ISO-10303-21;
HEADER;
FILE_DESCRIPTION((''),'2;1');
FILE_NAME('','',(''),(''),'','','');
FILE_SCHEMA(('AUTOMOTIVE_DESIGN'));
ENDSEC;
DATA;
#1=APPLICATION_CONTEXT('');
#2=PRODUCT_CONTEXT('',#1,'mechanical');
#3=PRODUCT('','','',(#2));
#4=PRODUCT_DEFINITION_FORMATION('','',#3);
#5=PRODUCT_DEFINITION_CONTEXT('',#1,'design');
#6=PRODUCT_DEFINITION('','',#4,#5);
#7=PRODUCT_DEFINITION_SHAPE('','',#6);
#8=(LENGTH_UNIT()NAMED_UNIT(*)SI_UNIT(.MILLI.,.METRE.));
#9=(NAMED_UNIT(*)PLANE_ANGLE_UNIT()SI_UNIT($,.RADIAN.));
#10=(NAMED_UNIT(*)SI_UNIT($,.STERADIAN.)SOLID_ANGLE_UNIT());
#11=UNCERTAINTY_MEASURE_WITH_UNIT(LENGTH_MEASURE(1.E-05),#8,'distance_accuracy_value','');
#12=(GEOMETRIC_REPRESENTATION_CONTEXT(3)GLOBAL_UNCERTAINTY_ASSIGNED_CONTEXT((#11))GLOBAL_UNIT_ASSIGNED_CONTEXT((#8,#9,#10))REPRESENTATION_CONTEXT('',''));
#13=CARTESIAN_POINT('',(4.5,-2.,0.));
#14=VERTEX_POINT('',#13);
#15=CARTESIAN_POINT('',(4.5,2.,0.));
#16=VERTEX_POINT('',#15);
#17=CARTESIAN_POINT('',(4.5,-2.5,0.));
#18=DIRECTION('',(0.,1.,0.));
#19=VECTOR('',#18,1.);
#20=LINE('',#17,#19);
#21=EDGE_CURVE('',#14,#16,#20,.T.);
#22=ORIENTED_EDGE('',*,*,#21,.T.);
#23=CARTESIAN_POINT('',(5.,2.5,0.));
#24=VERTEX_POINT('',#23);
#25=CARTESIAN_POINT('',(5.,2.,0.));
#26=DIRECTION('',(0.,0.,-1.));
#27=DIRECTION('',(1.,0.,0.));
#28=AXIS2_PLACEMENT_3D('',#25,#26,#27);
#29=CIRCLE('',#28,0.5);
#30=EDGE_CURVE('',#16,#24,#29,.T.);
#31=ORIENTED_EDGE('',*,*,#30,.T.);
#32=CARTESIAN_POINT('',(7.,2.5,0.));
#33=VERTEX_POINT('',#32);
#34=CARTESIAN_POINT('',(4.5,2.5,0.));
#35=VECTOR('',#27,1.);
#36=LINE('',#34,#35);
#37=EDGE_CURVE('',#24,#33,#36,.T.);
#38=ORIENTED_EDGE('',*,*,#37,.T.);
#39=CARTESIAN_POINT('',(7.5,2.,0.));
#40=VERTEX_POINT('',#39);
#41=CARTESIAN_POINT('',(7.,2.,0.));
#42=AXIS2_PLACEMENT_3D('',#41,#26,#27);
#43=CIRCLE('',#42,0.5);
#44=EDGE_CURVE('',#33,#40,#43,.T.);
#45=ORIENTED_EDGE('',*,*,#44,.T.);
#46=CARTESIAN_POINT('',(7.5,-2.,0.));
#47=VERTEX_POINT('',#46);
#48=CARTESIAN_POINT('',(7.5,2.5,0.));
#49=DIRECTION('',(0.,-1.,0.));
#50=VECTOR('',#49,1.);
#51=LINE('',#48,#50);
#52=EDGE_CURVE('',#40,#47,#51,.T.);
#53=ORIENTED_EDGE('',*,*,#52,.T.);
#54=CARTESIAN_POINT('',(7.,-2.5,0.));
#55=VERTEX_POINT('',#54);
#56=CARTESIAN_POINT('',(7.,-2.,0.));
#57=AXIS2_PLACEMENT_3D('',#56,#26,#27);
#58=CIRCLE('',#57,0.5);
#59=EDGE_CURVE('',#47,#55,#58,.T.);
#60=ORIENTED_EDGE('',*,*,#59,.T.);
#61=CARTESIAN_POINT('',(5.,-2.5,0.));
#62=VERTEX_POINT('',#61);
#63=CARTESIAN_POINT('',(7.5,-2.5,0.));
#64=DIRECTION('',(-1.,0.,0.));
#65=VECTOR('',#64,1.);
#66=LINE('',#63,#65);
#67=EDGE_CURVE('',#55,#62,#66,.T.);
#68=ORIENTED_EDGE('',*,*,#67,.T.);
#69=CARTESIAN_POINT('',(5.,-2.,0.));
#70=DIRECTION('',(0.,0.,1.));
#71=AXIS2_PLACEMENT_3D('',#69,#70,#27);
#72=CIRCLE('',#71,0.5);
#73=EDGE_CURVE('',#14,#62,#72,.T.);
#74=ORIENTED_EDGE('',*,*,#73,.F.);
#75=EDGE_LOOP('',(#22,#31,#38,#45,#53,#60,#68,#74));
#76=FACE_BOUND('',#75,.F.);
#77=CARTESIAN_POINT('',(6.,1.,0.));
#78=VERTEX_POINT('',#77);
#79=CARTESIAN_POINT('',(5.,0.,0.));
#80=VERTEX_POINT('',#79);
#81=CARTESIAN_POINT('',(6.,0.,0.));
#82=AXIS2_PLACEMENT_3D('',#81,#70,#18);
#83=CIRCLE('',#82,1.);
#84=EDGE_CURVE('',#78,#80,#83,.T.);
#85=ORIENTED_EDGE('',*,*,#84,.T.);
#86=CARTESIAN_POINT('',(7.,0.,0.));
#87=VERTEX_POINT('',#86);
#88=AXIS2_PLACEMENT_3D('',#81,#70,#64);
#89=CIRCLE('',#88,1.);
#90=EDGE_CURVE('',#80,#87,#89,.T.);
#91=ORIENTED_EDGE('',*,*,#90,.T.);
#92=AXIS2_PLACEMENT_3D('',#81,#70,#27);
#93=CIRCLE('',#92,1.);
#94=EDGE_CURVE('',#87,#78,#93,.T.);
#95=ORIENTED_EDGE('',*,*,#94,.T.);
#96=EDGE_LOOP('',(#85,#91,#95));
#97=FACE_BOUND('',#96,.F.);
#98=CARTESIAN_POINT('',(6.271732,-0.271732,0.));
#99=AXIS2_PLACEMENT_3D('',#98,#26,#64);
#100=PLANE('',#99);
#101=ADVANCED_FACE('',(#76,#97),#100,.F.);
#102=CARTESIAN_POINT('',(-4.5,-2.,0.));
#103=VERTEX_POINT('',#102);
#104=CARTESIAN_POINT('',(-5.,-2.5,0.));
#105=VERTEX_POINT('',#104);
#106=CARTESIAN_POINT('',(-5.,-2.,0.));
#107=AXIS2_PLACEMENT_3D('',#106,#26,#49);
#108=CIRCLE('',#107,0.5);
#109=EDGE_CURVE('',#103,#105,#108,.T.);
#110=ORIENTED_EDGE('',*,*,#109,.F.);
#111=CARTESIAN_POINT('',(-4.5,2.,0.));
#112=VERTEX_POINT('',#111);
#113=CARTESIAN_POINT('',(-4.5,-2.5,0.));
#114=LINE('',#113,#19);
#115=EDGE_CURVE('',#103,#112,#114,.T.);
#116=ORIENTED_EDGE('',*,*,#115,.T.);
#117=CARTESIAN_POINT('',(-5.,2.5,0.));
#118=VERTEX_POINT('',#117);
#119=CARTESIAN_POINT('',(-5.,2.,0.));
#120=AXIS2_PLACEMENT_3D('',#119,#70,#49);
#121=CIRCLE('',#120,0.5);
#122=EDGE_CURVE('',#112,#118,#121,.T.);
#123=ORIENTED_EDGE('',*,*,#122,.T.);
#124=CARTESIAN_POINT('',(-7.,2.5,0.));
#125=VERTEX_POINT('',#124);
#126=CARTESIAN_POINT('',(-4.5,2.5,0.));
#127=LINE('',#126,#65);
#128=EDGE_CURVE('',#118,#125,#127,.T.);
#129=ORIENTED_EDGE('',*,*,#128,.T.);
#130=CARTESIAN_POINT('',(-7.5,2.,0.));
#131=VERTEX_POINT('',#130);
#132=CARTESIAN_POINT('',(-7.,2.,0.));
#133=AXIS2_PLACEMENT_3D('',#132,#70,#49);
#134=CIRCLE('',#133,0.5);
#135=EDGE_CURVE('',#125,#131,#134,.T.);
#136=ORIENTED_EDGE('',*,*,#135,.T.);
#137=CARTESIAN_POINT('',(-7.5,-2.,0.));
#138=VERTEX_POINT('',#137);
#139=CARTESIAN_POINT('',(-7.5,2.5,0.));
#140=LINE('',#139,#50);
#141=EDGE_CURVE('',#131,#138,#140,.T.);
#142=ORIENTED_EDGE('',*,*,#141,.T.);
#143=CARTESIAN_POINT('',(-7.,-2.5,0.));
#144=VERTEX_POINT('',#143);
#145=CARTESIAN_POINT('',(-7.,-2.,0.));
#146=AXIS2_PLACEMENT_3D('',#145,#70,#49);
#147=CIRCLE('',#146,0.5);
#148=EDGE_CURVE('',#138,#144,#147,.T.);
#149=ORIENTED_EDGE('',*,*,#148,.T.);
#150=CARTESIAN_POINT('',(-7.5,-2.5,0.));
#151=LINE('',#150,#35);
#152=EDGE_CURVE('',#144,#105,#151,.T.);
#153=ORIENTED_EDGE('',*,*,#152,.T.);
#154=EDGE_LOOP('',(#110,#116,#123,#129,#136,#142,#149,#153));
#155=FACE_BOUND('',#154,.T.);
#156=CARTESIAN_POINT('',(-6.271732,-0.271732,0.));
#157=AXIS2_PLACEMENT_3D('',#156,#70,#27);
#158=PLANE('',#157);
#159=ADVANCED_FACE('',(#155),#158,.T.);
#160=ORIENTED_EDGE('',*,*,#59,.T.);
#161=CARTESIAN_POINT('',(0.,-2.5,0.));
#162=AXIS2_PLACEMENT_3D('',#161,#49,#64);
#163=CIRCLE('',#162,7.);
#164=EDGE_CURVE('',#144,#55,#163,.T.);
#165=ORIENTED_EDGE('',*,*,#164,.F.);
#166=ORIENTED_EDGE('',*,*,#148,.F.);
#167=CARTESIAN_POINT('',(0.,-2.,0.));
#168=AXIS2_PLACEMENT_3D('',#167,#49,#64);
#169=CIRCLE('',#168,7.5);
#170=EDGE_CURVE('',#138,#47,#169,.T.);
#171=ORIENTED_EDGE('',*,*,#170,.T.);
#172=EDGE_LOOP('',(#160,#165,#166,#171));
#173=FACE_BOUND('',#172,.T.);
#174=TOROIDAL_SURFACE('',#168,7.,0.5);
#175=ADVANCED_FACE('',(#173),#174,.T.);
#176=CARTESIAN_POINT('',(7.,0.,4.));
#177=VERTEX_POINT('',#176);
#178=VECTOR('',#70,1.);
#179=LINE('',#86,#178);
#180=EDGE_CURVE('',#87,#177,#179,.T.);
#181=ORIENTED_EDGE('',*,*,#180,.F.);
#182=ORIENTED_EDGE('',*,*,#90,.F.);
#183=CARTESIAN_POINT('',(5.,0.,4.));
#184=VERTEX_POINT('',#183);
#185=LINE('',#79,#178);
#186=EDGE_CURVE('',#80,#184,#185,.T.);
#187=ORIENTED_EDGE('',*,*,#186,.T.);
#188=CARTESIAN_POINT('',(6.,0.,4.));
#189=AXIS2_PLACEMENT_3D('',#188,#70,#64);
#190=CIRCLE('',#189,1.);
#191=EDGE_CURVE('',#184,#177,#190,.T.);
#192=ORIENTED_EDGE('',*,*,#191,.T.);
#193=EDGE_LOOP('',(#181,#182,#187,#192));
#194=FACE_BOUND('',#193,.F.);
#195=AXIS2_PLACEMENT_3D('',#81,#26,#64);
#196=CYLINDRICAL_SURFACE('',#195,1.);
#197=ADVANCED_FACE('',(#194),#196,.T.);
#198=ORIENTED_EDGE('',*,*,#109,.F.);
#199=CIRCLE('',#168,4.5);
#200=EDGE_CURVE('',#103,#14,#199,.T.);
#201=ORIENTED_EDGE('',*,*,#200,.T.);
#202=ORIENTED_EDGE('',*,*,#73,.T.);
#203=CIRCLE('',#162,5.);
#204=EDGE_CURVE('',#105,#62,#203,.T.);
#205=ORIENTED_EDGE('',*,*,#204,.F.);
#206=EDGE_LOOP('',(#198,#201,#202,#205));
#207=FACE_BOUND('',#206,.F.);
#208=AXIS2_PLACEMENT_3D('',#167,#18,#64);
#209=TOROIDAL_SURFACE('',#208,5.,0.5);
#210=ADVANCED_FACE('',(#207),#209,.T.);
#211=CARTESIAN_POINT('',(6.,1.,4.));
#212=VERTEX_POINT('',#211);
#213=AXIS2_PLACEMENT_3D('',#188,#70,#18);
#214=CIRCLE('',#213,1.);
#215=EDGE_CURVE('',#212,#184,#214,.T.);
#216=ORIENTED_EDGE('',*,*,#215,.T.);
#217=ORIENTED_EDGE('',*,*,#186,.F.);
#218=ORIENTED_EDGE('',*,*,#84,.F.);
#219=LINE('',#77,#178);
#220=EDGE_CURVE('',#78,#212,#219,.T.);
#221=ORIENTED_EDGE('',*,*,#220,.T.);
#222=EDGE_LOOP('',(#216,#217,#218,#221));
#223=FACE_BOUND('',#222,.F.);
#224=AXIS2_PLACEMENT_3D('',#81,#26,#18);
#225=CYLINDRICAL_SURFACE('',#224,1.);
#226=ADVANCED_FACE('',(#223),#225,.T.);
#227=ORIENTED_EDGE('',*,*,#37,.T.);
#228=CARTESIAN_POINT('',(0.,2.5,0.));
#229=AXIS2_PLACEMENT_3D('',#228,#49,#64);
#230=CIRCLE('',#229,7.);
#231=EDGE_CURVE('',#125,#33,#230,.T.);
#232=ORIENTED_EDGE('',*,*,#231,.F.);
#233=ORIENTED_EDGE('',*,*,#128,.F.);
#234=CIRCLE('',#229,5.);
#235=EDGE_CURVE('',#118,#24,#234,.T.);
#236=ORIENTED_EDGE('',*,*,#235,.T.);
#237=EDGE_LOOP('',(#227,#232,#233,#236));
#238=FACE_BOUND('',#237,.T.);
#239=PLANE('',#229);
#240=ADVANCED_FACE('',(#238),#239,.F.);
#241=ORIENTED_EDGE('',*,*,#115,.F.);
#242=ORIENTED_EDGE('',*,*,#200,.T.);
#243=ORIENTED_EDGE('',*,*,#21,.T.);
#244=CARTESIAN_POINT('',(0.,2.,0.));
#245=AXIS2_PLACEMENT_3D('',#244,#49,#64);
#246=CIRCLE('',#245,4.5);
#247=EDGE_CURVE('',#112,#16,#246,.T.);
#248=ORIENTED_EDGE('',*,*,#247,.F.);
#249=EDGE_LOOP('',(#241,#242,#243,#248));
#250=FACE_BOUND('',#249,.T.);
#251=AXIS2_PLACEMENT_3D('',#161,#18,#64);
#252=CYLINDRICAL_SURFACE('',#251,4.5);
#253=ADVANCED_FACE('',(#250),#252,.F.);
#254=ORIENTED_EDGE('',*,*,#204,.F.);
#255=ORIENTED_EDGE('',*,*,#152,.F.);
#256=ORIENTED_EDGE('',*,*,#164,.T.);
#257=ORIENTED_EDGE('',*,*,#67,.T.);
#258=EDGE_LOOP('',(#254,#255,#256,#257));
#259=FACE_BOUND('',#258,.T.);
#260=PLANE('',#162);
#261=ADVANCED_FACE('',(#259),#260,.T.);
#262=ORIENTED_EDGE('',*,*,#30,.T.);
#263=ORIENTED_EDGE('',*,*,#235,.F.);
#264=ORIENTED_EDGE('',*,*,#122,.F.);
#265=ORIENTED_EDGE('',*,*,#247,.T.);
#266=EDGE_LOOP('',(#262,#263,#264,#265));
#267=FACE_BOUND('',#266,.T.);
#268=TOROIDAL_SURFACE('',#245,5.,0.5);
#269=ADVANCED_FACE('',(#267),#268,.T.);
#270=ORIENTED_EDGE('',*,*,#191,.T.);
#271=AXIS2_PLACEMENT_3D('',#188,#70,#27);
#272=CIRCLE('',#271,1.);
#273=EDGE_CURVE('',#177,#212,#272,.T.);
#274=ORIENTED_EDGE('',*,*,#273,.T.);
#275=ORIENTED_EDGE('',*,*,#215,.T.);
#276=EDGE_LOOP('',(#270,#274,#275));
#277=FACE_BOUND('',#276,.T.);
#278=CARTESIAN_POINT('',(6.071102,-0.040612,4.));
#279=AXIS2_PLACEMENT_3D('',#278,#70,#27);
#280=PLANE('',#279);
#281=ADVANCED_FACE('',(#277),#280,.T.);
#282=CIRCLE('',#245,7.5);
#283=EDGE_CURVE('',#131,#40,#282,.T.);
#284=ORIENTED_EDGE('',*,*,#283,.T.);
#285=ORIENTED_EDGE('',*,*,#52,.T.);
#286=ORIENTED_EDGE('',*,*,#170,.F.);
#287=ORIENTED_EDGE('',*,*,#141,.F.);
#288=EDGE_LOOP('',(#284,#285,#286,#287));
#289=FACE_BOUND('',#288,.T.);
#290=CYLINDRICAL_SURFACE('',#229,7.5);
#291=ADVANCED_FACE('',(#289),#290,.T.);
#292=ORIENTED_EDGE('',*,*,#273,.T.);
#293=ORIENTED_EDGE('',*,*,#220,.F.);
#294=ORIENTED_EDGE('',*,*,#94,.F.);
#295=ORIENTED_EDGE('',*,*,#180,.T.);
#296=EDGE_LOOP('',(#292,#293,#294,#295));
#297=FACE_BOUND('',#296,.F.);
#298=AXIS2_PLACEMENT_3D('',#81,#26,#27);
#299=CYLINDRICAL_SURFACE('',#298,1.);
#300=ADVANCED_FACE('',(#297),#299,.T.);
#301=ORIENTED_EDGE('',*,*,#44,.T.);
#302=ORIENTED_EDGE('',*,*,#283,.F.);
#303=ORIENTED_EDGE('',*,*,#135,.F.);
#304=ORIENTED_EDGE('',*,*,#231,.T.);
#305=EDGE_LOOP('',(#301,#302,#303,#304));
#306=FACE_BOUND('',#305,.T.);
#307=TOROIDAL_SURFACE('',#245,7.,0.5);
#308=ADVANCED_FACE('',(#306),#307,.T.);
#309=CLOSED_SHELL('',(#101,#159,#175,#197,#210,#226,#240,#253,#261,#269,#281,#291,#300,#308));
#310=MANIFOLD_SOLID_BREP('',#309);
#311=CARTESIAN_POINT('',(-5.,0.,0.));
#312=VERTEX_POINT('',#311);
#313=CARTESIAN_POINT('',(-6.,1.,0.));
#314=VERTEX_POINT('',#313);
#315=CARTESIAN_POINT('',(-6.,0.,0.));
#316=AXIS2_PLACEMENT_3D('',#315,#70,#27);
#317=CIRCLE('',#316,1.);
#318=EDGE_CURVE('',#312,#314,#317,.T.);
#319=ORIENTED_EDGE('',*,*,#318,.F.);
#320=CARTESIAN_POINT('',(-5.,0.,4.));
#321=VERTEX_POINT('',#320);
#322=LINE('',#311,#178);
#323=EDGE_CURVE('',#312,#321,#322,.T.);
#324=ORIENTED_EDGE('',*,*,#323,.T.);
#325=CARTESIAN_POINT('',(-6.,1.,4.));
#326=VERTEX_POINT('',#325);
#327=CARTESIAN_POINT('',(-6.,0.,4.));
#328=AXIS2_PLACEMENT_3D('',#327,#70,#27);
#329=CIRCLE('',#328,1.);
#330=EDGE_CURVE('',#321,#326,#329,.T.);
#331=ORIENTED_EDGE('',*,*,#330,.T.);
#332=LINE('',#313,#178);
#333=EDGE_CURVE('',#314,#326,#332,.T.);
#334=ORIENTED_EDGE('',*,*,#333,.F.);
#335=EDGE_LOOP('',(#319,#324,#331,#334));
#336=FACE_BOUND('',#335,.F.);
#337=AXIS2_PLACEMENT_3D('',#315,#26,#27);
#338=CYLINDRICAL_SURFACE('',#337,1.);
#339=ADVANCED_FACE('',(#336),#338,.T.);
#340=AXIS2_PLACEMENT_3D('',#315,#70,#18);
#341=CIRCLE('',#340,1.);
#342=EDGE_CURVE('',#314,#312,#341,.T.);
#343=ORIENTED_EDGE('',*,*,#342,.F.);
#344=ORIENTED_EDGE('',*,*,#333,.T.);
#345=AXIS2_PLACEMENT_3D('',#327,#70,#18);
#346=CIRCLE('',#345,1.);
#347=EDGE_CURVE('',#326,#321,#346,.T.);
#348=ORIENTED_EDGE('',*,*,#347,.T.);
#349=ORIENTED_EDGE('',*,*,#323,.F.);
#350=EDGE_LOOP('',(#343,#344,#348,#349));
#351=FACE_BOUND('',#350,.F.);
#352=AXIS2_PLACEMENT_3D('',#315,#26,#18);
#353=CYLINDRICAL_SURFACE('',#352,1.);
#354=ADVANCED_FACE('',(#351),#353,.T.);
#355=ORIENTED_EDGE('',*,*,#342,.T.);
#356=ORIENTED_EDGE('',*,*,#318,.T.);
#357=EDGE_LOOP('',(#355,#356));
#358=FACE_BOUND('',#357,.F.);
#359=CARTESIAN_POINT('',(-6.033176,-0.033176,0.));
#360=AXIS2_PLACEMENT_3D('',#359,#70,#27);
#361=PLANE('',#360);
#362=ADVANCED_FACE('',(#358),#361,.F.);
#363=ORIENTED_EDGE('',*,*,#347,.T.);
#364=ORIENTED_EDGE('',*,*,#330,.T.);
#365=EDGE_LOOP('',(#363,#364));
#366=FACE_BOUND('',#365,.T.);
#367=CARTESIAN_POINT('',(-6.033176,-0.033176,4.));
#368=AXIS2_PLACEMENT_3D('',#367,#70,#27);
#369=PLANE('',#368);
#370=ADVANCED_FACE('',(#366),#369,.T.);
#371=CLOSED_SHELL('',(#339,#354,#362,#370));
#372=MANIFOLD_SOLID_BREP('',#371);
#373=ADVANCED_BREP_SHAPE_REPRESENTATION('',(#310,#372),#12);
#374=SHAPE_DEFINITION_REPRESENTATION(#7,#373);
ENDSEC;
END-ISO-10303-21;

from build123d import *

# Parameters (mm, degrees)
F1_ANGLE = 180
F2_R     = 0.5
F3_DEPTH = 4
F5_DEPTH = 4


with BuildPart() as f1:
    # F0 (on Top) → F1 (revolve)
    with BuildSketch(Plane.XY):
        with BuildLine():
            Line((-4.5, -2.5), (-4.5, 0))
            Line((-4.5, 0), (-5, 0))
            ThreePointArc((-5, 0), (-6.7071067812, -0.7071067812), (-6, 1))
            Line((-6, 1), (-6, 2.5))
            Line((-6, 2.5), (-7.5, 2.5))
            Line((-7.5, 2.5), (-7.5, -2.5))
            Line((-7.5, -2.5), (-4.5, -2.5))
        make_face()
        with BuildLine():
            Line((-4.5, 0), (-4.5, 2.5))
            Line((-4.5, 2.5), (-6, 2.5))
            Line((-6, 2.5), (-6, 1))
            ThreePointArc((-6, 1), (-5.2928932188, 0.7071067812), (-5, 0))
            Line((-5, 0), (-4.5, 0))
        make_face()
        with BuildLine():
            ThreePointArc((-6, 1), (-6.7071067812, -0.7071067812), (-5, 0))
            Line((-5, 0), (-6, 0))
            Line((-6, 0), (-6, 1))
        make_face()
        with BuildLine():
            Line((-6, 0), (-5, 0))
            ThreePointArc((-5, 0), (-5.2928932188, 0.7071067812), (-6, 1))
            Line((-6, 1), (-6, 0))
        make_face()
    revolve(axis=Axis((0, 0, 0), (0, -1, 0)), revolution_arc=F1_ANGLE)

    # F2
    f2_edges = [f1.edges().sort_by_distance(p)[0] for p in [
        (0, 2.5, -7.5),
        (0, -2.5, -7.5),
        (0, -2.5, -4.5),
        (0, 2.5, -4.5),
    ]]
    fillet(f2_edges, radius=F2_R)

    # F4 (on face) → F5 (join)
    with BuildSketch(Plane.XY):
        with BuildLine():
            Line((6, 0), (5, 0))
            ThreePointArc((5, 0), (6, -1), (7, 0))
            ThreePointArc((7, 0), (6.7071067812, 0.7071067812), (6, 1))
            Line((6, 1), (6, 0))
        make_face()
        with BuildLine():
            ThreePointArc((6, 1), (5.2928932188, 0.7071067812), (5, 0))
            Line((5, 0), (6, 0))
            Line((6, 0), (6, 1))
        make_face()
    extrude(amount=F5_DEPTH)


with BuildPart() as f3:
    # F0 (on Top) → F3 (new body)
    with BuildSketch(Plane.XY):
        with BuildLine():
            ThreePointArc((-6, 1), (-6.7071067812, -0.7071067812), (-5, 0))
            Line((-5, 0), (-6, 0))
            Line((-6, 0), (-6, 1))
        make_face()
        with BuildLine():
            Line((-6, 0), (-5, 0))
            ThreePointArc((-5, 0), (-5.2928932188, 0.7071067812), (-6, 1))
            Line((-6, 1), (-6, 0))
        make_face()
    extrude(amount=F3_DEPTH)


solid = Compound([f1.part, f3.part])
